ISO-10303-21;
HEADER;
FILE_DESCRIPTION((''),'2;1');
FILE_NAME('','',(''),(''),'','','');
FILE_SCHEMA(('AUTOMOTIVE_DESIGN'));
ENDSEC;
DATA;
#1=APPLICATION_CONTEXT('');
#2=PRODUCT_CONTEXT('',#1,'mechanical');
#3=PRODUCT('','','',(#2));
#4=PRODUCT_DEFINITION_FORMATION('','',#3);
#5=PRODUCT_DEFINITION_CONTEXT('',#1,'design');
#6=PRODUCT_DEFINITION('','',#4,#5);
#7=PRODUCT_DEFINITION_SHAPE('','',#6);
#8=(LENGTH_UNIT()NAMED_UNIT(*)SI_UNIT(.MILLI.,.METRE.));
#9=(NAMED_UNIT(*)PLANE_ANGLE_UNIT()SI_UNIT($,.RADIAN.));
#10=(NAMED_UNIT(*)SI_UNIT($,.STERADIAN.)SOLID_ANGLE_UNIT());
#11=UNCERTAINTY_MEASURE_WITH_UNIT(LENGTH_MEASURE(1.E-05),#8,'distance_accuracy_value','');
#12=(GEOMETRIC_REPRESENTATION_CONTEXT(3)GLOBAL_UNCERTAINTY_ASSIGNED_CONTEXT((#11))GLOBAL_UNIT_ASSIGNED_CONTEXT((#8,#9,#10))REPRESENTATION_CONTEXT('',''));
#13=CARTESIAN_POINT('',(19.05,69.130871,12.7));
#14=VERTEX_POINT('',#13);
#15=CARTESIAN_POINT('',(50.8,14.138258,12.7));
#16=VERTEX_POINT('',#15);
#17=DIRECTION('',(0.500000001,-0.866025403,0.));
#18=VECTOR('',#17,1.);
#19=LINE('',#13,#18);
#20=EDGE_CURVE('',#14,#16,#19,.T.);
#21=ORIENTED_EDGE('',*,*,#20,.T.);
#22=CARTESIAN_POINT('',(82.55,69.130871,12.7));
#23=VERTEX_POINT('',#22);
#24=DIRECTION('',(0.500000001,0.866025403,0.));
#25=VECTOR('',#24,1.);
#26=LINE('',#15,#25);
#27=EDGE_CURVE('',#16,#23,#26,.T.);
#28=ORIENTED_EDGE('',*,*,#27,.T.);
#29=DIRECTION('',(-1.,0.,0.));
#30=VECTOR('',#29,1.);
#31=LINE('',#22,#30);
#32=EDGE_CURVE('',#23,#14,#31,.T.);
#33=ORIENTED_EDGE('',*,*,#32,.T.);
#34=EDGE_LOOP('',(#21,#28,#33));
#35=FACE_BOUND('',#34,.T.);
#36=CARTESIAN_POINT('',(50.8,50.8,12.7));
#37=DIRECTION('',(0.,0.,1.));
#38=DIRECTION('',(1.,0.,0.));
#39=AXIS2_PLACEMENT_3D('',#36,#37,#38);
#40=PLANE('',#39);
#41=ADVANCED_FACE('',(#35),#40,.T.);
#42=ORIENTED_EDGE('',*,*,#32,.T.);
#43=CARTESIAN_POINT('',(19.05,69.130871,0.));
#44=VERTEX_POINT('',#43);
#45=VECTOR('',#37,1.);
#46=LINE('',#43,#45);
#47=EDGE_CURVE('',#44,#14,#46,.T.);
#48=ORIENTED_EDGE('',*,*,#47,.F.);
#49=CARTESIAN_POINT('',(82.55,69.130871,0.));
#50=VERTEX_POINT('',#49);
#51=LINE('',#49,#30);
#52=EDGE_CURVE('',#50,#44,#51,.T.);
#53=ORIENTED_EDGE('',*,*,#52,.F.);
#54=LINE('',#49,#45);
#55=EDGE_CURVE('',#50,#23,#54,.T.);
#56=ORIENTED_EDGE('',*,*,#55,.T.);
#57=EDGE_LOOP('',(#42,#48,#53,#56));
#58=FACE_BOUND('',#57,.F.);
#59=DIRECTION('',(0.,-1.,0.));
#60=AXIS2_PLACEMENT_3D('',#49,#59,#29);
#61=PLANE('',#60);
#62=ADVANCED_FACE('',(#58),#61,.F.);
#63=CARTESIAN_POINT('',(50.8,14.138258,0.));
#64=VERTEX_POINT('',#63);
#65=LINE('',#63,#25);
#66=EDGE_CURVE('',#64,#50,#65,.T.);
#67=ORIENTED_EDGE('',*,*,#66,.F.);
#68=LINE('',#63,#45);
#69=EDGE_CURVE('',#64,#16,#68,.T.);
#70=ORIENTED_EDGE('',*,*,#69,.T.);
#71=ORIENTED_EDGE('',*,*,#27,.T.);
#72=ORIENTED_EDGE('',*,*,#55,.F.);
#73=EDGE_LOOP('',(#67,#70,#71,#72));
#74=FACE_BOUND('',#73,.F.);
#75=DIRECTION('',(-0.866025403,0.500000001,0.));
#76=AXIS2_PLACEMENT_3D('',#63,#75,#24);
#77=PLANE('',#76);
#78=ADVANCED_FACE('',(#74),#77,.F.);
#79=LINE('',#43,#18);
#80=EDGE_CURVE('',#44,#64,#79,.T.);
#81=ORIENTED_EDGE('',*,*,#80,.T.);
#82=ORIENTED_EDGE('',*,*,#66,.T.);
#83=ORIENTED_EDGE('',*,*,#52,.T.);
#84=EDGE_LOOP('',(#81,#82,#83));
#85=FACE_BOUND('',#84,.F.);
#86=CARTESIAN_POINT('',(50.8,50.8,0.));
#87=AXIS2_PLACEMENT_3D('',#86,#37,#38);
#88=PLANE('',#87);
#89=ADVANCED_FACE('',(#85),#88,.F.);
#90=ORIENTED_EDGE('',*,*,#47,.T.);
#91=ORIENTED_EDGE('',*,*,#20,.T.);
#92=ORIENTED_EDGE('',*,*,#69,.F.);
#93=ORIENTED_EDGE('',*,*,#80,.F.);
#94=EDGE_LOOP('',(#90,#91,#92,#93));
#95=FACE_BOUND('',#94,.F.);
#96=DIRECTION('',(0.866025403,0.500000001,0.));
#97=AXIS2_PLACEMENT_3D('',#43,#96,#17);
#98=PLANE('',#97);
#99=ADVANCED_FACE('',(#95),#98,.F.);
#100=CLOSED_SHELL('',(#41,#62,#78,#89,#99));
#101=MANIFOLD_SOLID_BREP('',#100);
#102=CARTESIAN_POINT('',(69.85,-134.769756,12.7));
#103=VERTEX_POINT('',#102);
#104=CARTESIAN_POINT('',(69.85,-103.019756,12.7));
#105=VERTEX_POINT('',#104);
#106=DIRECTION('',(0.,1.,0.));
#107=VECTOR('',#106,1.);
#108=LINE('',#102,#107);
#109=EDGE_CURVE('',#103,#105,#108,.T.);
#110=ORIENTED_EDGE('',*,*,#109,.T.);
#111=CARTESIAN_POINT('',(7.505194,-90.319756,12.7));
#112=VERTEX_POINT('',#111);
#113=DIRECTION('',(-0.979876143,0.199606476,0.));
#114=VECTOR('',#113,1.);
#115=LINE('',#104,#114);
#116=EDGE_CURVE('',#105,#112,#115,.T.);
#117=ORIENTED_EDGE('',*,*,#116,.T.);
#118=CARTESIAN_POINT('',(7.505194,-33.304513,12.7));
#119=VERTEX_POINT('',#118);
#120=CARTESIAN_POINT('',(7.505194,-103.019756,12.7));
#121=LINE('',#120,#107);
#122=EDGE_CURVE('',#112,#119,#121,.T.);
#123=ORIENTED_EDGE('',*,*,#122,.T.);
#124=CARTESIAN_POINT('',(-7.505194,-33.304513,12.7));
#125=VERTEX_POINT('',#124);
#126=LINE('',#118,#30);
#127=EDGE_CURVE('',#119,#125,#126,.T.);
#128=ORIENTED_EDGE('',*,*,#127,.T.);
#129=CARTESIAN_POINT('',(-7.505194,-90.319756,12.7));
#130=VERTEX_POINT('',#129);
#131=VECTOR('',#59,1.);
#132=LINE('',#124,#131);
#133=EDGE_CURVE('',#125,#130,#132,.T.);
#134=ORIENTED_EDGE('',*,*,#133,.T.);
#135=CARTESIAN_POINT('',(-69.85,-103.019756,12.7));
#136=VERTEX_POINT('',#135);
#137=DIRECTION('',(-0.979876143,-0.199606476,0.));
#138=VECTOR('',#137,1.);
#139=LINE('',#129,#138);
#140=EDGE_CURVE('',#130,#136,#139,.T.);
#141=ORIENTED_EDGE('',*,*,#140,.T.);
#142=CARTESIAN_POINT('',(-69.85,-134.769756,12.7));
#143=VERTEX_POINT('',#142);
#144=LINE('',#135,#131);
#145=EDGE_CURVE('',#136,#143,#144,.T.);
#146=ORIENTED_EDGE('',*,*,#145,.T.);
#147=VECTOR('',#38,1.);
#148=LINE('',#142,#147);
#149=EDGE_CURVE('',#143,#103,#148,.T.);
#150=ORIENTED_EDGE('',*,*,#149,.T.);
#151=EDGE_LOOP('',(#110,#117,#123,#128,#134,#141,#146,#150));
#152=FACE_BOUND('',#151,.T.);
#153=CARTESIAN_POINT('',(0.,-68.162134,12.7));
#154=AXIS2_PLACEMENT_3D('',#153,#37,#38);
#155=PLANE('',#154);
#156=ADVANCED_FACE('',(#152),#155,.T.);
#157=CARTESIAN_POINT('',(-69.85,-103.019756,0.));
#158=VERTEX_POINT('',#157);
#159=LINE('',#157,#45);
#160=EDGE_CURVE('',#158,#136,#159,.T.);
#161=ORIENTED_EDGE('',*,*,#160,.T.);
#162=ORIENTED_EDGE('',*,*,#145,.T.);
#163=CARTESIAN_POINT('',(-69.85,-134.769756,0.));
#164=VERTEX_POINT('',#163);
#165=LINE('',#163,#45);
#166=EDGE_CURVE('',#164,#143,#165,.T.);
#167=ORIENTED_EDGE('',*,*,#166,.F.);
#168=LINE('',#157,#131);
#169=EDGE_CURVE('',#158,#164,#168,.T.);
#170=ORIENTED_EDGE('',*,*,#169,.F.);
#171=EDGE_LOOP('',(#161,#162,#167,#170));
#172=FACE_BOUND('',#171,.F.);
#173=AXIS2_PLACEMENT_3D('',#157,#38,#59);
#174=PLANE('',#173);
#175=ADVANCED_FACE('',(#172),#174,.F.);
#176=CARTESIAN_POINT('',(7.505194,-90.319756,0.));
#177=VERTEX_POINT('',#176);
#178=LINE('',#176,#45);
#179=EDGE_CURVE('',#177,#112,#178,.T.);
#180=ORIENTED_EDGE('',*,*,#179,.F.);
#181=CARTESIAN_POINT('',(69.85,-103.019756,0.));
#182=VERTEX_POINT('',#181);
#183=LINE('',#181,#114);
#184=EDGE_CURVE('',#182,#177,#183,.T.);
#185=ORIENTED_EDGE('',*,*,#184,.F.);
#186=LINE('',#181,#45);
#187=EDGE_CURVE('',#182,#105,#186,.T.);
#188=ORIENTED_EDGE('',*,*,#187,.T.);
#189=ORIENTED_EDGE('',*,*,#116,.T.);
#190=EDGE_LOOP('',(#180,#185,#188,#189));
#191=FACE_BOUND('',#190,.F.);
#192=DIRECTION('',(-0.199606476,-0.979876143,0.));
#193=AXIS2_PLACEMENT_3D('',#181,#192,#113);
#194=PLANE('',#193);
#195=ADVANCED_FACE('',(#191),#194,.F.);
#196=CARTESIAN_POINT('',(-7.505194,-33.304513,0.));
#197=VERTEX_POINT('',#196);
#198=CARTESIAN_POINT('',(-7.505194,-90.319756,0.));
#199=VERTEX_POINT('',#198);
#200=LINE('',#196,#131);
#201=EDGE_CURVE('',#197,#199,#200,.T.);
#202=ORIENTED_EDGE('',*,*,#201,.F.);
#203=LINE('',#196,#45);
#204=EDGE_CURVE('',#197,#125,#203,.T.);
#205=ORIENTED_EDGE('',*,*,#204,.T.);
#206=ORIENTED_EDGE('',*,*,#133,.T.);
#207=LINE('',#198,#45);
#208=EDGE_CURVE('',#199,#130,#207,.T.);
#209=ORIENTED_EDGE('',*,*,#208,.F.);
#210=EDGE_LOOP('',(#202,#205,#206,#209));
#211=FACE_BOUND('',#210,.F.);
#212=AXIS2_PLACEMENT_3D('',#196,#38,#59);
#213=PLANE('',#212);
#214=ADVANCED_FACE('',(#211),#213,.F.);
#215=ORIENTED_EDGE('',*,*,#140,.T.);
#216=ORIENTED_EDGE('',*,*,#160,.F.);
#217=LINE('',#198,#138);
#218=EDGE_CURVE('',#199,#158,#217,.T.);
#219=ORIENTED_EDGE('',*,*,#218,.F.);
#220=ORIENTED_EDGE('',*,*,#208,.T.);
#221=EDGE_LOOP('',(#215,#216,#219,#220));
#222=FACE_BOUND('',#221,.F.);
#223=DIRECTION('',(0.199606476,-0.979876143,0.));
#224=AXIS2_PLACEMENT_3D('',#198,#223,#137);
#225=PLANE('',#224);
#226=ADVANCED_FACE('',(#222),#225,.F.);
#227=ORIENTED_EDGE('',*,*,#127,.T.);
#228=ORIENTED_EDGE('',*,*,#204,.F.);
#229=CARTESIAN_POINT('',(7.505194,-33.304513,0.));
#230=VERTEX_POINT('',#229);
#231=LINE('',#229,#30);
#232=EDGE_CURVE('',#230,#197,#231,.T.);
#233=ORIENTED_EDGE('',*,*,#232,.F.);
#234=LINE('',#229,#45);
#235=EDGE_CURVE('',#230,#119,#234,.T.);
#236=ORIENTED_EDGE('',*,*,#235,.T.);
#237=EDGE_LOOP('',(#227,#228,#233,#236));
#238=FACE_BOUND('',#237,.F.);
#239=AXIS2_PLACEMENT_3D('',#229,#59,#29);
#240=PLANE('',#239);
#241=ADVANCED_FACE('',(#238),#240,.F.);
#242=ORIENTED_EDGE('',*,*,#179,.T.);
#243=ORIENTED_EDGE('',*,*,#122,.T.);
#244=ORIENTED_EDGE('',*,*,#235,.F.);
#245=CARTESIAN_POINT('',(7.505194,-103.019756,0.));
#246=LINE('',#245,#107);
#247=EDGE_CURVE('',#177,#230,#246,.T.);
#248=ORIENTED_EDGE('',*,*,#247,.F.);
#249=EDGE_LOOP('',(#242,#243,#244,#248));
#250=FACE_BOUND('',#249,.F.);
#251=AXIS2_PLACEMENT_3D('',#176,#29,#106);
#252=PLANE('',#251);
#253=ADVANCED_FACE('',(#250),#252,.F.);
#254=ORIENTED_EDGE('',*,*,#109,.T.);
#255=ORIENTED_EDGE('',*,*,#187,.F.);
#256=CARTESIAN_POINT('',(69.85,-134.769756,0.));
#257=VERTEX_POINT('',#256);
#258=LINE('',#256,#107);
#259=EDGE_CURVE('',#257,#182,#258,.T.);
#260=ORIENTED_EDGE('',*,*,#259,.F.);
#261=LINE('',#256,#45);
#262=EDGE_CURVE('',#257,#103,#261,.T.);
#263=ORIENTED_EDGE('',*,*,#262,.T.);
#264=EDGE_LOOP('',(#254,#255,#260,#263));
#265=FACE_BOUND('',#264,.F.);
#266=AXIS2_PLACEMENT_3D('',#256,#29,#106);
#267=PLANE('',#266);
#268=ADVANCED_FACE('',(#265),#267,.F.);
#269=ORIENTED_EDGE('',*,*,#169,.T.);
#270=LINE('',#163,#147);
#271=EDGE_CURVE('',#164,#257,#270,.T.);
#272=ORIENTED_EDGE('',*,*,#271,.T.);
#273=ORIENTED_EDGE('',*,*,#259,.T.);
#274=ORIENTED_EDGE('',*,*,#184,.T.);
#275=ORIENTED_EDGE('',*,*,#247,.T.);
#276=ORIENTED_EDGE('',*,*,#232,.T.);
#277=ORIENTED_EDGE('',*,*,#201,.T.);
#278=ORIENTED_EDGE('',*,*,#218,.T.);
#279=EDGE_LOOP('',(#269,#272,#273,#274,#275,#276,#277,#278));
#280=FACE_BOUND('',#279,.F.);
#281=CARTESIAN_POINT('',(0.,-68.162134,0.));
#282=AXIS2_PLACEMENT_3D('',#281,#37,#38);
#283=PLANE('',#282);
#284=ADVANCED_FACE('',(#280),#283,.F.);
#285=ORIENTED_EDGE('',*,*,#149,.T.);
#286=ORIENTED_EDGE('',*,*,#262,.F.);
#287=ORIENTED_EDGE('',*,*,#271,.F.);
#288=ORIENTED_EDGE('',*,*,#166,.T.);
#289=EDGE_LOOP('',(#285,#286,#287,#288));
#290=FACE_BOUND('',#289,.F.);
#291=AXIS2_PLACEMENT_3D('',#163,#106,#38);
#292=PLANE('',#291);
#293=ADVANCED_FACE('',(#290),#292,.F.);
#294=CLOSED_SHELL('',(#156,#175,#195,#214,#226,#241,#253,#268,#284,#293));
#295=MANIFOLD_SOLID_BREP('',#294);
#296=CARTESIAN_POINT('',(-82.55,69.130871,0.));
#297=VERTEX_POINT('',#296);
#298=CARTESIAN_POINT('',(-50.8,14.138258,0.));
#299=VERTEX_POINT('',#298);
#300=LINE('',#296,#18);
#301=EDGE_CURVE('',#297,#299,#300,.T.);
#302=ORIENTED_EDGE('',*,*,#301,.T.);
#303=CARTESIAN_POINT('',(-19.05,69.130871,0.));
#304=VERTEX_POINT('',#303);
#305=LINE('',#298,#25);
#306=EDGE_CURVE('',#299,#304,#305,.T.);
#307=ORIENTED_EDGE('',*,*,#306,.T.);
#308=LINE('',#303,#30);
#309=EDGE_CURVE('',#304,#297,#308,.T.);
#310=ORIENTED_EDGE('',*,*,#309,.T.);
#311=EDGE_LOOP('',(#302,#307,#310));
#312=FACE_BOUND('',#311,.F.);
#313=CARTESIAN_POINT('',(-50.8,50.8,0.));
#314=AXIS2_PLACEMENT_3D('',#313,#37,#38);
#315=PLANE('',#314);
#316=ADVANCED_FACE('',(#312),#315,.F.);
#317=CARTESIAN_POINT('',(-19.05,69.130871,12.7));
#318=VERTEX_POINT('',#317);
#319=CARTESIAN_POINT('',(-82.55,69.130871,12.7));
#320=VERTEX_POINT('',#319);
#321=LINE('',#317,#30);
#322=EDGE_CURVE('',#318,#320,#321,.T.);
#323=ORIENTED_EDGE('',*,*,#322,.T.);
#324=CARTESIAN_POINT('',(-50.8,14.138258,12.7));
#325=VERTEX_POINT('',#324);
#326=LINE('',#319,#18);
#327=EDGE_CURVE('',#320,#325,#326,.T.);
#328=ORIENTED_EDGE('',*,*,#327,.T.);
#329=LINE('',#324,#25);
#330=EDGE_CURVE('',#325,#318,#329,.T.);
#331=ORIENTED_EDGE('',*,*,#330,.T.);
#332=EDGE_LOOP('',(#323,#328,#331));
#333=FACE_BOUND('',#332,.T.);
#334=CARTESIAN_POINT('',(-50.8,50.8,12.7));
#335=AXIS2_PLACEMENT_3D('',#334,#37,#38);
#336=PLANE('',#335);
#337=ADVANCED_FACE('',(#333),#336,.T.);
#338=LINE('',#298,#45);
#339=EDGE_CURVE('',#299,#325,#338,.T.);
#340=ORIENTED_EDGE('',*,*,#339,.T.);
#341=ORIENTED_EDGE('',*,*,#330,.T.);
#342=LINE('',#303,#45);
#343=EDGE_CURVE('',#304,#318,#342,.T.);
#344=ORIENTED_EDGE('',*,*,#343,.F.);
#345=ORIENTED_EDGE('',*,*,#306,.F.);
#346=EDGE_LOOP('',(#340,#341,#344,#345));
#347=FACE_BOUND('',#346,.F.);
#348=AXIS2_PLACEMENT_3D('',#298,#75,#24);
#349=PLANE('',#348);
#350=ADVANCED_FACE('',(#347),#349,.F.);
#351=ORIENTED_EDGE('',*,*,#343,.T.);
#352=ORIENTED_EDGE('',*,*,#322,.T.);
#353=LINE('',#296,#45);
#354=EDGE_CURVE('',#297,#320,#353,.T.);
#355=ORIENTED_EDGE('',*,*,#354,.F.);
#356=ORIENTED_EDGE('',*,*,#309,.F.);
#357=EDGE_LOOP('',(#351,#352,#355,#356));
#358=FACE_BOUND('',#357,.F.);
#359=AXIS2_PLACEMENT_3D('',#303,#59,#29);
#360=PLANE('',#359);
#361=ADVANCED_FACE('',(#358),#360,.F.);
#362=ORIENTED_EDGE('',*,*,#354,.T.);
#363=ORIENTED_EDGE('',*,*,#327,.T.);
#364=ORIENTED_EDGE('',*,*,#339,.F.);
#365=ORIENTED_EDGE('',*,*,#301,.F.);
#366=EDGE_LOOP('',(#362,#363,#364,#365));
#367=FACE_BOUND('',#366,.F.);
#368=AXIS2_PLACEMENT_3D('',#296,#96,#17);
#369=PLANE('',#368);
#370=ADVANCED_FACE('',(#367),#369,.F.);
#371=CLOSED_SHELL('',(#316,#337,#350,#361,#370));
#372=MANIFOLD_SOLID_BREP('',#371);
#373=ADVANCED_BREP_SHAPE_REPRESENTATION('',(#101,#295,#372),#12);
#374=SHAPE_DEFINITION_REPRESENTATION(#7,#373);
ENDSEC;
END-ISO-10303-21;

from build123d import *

# Parameters (mm, degrees)
F0_W     = 15.010388
F0_H     = 15.875
F1_DEPTH = 12.7


with BuildPart() as f1:
    # F0 (on Top) → F1 (new body)
    with BuildSketch(Plane.XY):
        Polygon((-19.05, 69.130871), (-82.55, 69.130871), (-50.8, 14.138258), align=None)
        Polygon((50.8, 14.138258), (82.55, 69.130871), (19.05, 69.130871), align=None)
        Polygon((7.505194, -90.319756), (7.505194, -33.304513), (-7.505194, -33.304513), (-7.505194, -90.319756), (-7.505194, -103.019756), (7.505194, -103.019756), align=None)
        Polygon((-7.505194, -103.019756), (-7.505194, -90.319756), (-69.85, -103.019756), align=None)
        Polygon((69.85, -103.019756), (7.505194, -103.019756), (7.505194, -118.894756), (-7.505194, -118.894756), (-7.505194, -103.019756), (-69.85, -103.019756), (-69.85, -134.769756), (69.85, -134.769756), align=None)
        Polygon((69.85, -103.019756), (7.505194, -90.319756), (7.505194, -103.019756), align=None)
        with Locations((0, -110.957256)):
            Rectangle(F0_W, F0_H)
    extrude(amount=F1_DEPTH)


solid = f1.part
